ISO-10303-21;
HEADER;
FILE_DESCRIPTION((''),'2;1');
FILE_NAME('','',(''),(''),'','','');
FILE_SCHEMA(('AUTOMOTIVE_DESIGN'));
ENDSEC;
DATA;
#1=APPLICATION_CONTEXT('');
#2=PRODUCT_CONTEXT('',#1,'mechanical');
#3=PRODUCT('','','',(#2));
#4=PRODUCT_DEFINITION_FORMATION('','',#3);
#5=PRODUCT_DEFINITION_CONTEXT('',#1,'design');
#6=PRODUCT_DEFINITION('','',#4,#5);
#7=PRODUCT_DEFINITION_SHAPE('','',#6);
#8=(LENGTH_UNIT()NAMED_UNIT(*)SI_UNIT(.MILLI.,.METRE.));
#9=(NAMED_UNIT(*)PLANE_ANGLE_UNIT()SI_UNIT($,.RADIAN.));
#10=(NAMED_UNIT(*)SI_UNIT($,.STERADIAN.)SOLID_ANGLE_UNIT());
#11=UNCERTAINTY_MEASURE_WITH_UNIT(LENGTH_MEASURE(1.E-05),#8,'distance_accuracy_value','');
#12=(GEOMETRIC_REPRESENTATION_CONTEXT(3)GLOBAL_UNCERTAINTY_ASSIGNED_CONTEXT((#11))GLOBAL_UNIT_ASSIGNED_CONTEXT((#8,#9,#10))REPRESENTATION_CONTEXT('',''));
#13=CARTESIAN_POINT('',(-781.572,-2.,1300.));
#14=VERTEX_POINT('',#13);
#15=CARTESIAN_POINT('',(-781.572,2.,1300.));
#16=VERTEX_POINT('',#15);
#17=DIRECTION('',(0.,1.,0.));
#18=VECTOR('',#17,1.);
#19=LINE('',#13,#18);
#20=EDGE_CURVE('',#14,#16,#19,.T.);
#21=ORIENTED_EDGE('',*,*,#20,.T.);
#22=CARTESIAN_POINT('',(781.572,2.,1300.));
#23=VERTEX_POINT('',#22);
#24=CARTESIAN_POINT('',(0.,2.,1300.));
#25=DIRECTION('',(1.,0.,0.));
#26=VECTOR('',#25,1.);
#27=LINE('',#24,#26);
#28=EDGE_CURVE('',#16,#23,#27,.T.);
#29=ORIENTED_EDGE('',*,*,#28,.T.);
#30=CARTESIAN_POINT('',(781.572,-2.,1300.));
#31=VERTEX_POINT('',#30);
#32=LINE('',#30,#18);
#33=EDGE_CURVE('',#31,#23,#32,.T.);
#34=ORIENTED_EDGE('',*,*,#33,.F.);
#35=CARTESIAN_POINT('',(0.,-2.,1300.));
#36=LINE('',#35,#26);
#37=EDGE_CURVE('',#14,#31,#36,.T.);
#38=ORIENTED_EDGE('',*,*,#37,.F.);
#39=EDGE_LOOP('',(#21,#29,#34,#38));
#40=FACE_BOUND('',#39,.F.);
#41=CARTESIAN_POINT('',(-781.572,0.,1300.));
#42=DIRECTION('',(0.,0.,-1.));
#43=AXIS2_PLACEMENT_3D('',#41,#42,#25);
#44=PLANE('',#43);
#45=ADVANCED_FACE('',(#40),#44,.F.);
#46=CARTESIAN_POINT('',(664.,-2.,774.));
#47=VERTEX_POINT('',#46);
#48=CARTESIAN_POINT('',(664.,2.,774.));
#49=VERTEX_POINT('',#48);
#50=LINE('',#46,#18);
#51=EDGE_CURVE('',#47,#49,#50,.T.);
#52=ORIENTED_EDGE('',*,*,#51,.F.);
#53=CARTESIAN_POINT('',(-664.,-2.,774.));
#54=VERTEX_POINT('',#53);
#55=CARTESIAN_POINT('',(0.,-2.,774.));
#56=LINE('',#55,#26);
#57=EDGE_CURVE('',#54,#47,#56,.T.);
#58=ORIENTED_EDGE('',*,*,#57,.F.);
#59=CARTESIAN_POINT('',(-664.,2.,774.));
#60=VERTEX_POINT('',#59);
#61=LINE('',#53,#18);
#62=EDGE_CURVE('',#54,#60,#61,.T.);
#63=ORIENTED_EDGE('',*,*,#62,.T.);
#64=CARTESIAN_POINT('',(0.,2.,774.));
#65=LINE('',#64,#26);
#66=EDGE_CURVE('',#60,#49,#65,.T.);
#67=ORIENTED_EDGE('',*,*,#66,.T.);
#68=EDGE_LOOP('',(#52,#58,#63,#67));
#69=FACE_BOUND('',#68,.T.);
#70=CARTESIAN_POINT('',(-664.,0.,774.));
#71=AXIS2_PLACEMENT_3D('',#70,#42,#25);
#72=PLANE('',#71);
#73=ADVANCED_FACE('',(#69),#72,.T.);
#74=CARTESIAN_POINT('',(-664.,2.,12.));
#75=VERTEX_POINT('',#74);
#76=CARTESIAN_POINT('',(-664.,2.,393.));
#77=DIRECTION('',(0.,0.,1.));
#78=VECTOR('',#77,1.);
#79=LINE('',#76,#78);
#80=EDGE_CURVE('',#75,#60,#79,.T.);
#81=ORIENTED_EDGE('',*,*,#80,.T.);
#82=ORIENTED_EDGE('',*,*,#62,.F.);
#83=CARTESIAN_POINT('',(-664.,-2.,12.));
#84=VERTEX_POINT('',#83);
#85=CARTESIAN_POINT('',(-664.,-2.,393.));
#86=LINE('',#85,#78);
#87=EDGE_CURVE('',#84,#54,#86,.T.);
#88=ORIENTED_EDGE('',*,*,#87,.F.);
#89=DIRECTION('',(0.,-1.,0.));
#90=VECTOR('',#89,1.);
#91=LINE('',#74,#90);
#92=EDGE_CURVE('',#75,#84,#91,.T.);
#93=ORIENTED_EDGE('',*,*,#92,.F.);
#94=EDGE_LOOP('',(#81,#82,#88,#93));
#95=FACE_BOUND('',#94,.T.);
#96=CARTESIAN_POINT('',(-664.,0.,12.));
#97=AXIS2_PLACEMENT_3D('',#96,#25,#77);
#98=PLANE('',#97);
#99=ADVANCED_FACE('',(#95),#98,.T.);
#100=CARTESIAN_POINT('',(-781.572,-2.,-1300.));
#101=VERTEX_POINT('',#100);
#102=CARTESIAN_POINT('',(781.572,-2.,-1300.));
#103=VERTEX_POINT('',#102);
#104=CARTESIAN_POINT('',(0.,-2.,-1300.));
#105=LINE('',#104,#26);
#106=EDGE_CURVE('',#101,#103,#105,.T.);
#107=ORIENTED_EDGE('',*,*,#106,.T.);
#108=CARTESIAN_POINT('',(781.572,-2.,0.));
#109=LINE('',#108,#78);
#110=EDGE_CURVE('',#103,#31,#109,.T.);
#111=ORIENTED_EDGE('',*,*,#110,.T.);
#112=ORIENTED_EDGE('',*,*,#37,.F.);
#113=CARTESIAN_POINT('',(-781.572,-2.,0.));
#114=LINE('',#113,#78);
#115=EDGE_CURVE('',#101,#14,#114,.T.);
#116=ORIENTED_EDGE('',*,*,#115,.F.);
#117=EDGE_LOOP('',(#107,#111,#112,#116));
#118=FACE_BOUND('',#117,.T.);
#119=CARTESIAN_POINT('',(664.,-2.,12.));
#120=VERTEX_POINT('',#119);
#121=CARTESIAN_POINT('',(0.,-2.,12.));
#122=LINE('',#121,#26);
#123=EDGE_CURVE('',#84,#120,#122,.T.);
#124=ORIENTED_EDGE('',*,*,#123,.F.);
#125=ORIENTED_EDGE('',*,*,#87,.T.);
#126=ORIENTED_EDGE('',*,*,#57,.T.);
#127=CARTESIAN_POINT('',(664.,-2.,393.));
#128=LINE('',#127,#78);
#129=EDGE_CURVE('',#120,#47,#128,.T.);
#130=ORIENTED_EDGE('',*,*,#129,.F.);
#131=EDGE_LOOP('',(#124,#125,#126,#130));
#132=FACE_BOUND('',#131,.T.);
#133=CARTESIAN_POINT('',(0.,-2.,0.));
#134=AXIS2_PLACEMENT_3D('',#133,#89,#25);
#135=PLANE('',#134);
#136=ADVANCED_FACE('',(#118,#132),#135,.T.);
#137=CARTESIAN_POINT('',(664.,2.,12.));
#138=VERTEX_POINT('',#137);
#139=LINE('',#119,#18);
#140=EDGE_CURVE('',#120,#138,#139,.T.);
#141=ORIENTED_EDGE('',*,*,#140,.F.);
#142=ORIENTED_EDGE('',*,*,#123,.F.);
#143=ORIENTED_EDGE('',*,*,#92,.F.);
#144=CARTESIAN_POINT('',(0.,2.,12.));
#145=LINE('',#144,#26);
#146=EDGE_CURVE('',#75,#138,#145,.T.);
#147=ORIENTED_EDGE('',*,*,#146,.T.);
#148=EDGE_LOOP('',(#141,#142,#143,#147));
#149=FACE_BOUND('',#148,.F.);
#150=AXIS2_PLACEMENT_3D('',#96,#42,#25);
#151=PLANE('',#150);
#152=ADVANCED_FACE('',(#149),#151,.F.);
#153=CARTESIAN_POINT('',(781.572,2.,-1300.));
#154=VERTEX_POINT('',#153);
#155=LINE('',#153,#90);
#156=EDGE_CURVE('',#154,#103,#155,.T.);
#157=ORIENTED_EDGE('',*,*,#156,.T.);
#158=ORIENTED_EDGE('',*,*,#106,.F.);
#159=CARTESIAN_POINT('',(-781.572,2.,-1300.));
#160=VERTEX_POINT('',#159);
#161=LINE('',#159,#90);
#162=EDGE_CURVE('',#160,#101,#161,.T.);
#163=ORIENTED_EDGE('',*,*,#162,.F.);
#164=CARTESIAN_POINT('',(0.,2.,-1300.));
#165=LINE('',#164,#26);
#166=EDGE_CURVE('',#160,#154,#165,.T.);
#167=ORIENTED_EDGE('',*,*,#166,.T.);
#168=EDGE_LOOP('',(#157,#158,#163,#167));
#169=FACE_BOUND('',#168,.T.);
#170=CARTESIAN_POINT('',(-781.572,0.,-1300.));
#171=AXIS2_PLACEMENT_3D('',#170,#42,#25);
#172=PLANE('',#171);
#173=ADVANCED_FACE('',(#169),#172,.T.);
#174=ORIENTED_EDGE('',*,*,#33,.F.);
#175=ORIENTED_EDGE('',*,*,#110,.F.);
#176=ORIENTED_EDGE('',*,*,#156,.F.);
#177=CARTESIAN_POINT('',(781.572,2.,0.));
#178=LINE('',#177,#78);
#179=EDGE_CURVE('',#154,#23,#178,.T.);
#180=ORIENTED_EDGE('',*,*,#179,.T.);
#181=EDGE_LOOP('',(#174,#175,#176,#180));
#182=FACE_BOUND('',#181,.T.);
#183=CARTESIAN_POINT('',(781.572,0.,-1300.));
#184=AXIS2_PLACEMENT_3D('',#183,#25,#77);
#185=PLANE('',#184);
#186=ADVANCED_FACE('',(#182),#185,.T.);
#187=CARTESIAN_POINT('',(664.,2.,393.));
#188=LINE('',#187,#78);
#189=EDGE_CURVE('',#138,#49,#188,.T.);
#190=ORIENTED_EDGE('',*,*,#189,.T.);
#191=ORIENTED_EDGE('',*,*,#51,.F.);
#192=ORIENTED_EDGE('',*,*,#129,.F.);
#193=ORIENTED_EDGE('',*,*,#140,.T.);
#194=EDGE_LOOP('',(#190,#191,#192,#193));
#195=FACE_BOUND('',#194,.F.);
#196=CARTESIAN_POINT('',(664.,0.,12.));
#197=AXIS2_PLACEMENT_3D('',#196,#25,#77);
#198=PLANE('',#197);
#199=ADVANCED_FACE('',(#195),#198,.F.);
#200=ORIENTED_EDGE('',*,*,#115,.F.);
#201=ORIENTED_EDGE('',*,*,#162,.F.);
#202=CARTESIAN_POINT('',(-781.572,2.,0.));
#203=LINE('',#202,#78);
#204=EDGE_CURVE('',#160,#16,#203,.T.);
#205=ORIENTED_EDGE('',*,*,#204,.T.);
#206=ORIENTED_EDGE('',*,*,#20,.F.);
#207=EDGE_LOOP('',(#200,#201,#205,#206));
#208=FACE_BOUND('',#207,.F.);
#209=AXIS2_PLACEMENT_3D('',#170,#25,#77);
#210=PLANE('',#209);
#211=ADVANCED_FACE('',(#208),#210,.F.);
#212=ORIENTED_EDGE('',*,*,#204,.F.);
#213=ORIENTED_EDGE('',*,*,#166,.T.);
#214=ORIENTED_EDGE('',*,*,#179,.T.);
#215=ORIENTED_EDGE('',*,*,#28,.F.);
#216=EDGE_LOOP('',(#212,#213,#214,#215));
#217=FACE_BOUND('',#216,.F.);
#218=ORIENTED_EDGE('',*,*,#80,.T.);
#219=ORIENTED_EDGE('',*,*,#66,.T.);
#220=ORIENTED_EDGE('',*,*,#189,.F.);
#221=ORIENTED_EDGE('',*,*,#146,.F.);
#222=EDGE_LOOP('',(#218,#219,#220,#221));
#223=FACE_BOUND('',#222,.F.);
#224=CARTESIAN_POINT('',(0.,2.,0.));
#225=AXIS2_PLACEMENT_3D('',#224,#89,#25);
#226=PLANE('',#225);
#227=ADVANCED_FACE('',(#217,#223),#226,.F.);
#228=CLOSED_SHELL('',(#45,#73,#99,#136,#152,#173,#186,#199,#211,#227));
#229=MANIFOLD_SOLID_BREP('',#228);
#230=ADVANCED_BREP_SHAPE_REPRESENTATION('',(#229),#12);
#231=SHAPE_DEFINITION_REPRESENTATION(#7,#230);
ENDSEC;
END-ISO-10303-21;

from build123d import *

# Parameters (mm, degrees)
F0_W     = 1563.144
F0_H     = 2600
F0_W_2   = 1328
F0_H_2   = 762
F1_DEPTH = 2


with BuildPart() as f1:
    # F0 (on Front) → F1 (new body, symmetric)
    with BuildSketch(Plane.XZ):
        Rectangle(F0_W, F0_H)
        with Locations((0, 393)):
            Rectangle(F0_W_2, F0_H_2, mode=Mode.SUBTRACT)
    extrude(amount=F1_DEPTH, both=True)


solid = f1.part
